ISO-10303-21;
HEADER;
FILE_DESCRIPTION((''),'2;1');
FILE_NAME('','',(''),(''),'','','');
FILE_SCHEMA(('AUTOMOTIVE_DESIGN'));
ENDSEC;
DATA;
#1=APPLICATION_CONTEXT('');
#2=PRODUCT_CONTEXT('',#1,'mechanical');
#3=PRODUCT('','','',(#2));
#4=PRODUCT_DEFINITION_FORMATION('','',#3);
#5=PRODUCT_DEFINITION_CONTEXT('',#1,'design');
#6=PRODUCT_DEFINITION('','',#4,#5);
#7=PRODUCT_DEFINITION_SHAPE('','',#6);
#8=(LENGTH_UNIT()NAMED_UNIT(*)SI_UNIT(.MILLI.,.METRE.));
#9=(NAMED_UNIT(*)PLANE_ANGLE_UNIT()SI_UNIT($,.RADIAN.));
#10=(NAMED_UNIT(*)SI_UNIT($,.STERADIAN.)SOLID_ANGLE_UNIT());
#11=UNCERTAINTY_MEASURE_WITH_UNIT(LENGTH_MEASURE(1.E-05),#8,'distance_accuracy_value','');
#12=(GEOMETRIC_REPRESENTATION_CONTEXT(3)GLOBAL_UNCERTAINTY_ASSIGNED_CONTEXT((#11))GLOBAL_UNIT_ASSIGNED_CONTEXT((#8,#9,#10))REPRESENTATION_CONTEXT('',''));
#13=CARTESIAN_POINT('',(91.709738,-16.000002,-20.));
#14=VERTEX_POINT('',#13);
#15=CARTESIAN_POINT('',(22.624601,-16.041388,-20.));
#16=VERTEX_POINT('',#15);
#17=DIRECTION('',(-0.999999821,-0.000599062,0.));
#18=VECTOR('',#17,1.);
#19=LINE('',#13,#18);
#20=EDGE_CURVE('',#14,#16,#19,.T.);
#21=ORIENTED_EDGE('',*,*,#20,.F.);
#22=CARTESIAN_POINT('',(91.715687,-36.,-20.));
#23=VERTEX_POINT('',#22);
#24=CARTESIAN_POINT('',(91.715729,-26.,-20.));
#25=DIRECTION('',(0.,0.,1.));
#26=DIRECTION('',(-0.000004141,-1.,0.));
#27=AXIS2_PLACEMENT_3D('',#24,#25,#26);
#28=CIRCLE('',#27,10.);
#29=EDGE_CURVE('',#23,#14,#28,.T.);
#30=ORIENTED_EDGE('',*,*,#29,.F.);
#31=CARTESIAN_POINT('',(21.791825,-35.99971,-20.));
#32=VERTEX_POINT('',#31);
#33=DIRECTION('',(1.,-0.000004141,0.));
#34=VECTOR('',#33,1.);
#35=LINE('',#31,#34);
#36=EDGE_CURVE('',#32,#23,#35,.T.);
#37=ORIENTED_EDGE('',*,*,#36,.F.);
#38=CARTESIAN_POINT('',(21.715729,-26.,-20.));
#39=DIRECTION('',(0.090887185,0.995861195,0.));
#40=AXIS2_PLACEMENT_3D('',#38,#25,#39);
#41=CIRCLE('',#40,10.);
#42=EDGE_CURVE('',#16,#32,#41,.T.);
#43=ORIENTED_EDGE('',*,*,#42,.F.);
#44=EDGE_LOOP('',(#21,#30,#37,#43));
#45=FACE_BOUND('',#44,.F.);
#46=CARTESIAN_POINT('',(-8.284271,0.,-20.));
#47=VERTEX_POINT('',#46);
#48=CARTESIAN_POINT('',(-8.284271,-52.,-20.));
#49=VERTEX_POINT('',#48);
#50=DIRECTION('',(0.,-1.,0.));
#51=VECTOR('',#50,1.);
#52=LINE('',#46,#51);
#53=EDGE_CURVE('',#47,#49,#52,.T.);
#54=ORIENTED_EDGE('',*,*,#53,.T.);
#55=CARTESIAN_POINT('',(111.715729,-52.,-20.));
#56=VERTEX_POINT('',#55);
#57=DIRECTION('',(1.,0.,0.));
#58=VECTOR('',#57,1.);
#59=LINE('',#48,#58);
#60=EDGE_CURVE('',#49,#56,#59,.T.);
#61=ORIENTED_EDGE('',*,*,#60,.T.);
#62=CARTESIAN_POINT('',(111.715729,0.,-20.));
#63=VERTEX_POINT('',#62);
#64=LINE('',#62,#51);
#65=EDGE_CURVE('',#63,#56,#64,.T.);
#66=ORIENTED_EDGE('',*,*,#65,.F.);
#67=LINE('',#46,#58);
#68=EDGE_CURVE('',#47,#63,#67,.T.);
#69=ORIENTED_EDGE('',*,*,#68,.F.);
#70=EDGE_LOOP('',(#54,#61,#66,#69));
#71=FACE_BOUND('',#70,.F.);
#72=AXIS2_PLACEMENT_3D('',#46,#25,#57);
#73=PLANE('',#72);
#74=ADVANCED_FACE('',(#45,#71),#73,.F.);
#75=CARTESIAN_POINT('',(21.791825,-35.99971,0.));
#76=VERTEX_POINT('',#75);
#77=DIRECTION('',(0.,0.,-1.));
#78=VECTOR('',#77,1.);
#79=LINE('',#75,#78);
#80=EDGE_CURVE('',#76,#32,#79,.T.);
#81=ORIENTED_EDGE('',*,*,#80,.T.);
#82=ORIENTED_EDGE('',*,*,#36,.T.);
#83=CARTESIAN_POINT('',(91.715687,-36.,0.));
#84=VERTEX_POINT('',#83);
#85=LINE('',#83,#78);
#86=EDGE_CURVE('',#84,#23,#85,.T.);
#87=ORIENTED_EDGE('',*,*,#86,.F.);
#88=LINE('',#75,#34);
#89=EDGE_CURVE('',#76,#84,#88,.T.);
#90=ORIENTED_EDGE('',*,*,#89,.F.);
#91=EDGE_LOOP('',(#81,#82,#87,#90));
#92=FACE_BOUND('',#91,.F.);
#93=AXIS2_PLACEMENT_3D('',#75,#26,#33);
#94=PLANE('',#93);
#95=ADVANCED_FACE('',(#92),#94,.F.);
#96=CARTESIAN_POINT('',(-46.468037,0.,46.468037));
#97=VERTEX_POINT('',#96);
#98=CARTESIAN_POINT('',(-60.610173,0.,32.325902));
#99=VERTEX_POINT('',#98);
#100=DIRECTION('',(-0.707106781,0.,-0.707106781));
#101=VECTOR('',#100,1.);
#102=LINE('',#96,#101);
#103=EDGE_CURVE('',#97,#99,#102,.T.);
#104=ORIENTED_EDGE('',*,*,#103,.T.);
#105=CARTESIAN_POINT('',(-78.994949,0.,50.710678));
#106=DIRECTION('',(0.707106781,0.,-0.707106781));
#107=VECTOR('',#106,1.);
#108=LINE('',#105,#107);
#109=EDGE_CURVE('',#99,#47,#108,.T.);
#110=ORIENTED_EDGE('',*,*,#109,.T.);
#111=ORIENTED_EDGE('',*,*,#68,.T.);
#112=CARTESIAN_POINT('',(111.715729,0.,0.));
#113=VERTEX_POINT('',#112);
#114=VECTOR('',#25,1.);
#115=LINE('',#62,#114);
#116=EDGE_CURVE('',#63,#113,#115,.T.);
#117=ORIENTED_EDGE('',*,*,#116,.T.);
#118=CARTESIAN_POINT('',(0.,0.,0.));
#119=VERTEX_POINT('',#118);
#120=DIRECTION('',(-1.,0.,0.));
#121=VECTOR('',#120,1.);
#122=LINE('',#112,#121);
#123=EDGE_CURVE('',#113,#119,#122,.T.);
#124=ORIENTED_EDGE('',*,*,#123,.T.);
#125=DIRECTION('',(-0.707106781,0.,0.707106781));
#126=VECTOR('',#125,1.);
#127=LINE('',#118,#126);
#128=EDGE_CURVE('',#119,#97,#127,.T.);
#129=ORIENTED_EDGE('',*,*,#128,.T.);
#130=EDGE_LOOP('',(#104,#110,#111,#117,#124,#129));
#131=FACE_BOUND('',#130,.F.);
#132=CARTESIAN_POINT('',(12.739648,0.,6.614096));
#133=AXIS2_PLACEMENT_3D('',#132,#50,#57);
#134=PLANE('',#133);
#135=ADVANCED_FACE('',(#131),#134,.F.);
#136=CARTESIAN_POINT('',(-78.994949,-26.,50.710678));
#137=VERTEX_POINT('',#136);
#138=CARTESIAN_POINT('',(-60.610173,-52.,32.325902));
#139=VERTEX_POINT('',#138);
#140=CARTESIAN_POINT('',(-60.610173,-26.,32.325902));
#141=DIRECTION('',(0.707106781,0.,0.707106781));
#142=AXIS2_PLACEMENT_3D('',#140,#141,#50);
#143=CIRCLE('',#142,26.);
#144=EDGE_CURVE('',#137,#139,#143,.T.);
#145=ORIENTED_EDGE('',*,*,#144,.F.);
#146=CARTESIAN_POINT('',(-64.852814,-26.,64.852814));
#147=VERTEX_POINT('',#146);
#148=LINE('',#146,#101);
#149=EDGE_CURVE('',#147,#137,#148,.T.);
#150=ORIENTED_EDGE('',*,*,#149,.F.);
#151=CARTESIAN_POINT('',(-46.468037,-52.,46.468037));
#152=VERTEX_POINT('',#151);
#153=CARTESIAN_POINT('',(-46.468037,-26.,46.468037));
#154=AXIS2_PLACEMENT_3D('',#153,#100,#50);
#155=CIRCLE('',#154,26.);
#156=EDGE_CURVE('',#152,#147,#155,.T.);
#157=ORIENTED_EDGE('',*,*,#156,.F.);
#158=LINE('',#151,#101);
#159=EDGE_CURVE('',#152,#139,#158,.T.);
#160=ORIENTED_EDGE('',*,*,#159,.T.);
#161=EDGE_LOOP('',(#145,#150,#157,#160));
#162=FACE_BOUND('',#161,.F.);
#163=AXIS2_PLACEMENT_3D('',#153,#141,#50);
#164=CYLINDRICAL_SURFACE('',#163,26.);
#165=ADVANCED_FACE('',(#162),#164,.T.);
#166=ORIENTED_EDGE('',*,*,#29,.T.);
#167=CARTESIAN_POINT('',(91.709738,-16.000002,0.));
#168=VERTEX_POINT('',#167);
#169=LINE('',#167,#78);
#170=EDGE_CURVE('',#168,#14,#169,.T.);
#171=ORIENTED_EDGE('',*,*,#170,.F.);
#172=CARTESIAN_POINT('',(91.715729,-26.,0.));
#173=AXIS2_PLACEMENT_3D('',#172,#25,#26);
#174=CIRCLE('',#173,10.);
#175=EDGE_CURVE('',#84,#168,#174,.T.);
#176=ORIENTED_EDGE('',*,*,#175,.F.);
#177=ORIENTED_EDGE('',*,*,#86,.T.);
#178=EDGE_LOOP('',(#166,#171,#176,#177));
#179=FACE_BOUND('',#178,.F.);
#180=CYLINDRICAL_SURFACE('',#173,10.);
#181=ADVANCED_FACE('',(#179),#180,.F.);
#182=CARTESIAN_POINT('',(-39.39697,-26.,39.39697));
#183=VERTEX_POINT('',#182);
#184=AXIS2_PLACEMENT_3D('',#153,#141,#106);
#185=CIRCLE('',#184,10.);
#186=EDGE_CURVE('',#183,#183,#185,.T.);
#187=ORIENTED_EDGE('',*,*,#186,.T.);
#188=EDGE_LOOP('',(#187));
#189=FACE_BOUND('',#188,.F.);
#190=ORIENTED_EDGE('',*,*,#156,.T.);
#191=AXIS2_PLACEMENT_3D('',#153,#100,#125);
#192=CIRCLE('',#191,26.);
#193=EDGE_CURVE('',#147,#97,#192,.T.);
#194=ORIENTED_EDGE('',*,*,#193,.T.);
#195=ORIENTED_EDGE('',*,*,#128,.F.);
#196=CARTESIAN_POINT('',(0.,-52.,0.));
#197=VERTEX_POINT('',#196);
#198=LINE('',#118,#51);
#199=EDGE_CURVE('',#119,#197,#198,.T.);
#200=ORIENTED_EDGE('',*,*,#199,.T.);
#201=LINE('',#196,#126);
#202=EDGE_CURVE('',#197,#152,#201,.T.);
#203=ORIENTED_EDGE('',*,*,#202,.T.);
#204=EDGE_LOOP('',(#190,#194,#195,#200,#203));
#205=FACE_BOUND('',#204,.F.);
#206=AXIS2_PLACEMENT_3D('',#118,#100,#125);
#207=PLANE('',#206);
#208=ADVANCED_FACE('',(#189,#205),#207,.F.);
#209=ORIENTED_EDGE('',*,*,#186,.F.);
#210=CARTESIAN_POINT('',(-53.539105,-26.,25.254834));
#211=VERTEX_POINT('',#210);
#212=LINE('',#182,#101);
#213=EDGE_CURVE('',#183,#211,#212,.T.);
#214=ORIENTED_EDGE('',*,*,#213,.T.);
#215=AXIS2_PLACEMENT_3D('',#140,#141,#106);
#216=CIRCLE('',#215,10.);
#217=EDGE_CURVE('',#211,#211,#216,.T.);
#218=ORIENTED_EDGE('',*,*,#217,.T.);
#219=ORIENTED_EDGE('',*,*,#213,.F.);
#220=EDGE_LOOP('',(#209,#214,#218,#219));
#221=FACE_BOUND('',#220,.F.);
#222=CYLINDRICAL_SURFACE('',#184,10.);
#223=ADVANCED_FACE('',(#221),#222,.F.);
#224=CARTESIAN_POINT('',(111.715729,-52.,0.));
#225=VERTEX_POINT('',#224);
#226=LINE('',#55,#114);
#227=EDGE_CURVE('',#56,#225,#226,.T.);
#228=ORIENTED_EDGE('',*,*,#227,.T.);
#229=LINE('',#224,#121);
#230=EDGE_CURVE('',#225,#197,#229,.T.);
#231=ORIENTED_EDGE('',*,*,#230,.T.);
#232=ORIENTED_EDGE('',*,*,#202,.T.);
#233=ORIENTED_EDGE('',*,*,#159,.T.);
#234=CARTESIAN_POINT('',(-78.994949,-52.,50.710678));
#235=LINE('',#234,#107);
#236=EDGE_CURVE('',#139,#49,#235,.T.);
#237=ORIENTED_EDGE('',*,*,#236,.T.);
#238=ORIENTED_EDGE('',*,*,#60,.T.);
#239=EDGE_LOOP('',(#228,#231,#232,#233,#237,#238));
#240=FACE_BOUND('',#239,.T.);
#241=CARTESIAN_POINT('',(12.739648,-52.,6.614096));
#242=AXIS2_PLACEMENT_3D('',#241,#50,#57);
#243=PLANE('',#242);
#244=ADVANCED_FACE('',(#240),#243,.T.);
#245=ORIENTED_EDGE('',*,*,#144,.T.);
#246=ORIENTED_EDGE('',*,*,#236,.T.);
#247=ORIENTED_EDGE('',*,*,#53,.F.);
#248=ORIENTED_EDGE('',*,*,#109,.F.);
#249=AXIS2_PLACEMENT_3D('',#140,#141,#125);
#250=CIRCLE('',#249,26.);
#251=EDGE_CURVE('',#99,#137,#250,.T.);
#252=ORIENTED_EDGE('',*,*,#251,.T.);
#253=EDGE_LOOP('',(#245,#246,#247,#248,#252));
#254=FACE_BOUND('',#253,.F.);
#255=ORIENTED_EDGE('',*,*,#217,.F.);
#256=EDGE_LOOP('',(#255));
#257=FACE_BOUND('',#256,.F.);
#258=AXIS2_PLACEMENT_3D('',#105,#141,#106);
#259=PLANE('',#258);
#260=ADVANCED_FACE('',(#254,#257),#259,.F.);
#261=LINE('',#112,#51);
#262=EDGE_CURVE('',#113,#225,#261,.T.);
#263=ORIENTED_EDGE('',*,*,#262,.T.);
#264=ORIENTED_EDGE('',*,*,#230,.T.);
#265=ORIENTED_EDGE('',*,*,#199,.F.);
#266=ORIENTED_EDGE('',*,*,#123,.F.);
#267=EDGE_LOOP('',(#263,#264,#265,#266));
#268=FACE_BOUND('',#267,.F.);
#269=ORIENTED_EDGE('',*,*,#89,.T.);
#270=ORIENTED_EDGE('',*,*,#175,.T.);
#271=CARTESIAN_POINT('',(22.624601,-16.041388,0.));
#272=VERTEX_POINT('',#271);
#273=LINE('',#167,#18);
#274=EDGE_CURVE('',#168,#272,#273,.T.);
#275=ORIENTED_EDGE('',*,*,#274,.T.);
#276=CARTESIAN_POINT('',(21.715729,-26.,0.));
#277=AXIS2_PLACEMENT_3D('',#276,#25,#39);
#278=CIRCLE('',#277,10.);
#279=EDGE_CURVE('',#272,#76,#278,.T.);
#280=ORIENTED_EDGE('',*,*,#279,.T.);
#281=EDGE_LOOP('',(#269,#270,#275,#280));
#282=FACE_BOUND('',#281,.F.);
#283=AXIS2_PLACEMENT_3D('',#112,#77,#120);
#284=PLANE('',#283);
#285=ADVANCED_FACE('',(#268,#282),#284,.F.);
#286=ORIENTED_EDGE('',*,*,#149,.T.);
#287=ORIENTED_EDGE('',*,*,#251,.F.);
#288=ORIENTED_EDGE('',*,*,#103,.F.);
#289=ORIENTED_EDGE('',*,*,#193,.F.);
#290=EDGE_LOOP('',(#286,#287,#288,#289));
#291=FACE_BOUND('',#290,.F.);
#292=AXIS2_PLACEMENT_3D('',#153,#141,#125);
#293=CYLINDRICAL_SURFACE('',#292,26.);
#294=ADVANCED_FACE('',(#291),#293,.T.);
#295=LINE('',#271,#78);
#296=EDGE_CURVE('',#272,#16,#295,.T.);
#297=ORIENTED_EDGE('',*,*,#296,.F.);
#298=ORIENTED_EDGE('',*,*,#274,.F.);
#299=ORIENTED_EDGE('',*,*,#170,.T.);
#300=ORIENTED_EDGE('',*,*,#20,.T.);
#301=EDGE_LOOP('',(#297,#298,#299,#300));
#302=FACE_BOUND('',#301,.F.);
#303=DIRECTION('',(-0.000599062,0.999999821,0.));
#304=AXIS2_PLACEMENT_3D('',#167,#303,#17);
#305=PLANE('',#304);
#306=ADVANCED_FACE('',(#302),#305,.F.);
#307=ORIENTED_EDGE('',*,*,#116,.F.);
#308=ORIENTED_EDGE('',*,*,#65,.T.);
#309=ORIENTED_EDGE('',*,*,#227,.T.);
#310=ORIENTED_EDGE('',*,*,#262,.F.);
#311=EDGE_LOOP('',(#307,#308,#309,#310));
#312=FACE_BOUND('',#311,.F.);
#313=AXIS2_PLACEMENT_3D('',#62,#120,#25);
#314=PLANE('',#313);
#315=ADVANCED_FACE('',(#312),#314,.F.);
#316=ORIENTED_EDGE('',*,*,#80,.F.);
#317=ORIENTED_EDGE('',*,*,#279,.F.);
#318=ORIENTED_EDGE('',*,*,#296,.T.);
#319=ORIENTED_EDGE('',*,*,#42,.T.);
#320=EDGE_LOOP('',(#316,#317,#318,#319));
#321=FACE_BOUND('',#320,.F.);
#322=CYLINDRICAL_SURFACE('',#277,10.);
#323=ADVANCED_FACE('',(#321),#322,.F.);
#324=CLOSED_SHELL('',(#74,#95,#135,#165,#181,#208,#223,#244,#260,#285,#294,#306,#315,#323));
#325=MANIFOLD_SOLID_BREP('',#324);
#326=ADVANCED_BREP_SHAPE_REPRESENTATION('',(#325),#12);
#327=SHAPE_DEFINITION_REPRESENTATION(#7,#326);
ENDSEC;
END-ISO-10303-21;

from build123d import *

# Parameters (mm, degrees)
F1_DEPTH = 52
F3_DEPTH = 20
F4_R     = 10
F5_DEPTH = 25


with BuildPart() as f1:
    # F0 (on Front) → F1 (new body)
    with BuildSketch(Plane.XZ):
        Polygon((0, 0), (-64.8528137424, 64.8528137424), (-78.9949493661, 50.7106781187), (-8.2842712475, -20), (111.7157287525, -20), (111.7157287525, 0), align=None)
    extrude(amount=F1_DEPTH)

    # F2 (on face) → F3 (cut, through all)
    with BuildSketch(Plane.XY):
        with BuildLine():
            Line((21.7918254922, -35.9997104601), (91.7156873447, -36))
            ThreePointArc((91.7156873447, -36), (101.7157283101, -25.9970253962), (91.7097381372, -16.0000017944))
            Line((91.7097381372, -16.0000017944), (22.6246005983, -16.0413880501))
            ThreePointArc((22.6246005983, -16.0413880501), (11.724422575, -25.5831056894), (21.7918254922, -35.9997104601))
        make_face()
    extrude(amount=-F3_DEPTH, mode=Mode.SUBTRACT)

    # F4 (on face) → F5 (cut)
    with BuildSketch(Plane(origin=(0, 0, 0), x_dir=(0.7071067812, 0, -0.7071067812), z_dir=(0.7071067812, 0, 0.7071067812))):
        with BuildLine():
            ThreePointArc((-65.7157287525, -52), (-84.1005050634, -44.3847763109), (-91.7157287525, -26))
            Line((-91.7157287525, -26), (-91.7157287525, -52))
            Line((-91.7157287525, -52), (-65.7157287525, -52))
        make_face()
        with Locations((-65.7157287525, -26)):
            Circle(F4_R)
        with BuildLine():
            ThreePointArc((-91.7157287525, -26), (-84.1005050634, -7.6152236891), (-65.7157287525, 0))
            Line((-65.7157287525, 0), (-91.7157287525, 0))
            Line((-91.7157287525, 0), (-91.7157287525, -26))
        make_face()
    extrude(amount=-F5_DEPTH, mode=Mode.SUBTRACT)


solid = f1.part
